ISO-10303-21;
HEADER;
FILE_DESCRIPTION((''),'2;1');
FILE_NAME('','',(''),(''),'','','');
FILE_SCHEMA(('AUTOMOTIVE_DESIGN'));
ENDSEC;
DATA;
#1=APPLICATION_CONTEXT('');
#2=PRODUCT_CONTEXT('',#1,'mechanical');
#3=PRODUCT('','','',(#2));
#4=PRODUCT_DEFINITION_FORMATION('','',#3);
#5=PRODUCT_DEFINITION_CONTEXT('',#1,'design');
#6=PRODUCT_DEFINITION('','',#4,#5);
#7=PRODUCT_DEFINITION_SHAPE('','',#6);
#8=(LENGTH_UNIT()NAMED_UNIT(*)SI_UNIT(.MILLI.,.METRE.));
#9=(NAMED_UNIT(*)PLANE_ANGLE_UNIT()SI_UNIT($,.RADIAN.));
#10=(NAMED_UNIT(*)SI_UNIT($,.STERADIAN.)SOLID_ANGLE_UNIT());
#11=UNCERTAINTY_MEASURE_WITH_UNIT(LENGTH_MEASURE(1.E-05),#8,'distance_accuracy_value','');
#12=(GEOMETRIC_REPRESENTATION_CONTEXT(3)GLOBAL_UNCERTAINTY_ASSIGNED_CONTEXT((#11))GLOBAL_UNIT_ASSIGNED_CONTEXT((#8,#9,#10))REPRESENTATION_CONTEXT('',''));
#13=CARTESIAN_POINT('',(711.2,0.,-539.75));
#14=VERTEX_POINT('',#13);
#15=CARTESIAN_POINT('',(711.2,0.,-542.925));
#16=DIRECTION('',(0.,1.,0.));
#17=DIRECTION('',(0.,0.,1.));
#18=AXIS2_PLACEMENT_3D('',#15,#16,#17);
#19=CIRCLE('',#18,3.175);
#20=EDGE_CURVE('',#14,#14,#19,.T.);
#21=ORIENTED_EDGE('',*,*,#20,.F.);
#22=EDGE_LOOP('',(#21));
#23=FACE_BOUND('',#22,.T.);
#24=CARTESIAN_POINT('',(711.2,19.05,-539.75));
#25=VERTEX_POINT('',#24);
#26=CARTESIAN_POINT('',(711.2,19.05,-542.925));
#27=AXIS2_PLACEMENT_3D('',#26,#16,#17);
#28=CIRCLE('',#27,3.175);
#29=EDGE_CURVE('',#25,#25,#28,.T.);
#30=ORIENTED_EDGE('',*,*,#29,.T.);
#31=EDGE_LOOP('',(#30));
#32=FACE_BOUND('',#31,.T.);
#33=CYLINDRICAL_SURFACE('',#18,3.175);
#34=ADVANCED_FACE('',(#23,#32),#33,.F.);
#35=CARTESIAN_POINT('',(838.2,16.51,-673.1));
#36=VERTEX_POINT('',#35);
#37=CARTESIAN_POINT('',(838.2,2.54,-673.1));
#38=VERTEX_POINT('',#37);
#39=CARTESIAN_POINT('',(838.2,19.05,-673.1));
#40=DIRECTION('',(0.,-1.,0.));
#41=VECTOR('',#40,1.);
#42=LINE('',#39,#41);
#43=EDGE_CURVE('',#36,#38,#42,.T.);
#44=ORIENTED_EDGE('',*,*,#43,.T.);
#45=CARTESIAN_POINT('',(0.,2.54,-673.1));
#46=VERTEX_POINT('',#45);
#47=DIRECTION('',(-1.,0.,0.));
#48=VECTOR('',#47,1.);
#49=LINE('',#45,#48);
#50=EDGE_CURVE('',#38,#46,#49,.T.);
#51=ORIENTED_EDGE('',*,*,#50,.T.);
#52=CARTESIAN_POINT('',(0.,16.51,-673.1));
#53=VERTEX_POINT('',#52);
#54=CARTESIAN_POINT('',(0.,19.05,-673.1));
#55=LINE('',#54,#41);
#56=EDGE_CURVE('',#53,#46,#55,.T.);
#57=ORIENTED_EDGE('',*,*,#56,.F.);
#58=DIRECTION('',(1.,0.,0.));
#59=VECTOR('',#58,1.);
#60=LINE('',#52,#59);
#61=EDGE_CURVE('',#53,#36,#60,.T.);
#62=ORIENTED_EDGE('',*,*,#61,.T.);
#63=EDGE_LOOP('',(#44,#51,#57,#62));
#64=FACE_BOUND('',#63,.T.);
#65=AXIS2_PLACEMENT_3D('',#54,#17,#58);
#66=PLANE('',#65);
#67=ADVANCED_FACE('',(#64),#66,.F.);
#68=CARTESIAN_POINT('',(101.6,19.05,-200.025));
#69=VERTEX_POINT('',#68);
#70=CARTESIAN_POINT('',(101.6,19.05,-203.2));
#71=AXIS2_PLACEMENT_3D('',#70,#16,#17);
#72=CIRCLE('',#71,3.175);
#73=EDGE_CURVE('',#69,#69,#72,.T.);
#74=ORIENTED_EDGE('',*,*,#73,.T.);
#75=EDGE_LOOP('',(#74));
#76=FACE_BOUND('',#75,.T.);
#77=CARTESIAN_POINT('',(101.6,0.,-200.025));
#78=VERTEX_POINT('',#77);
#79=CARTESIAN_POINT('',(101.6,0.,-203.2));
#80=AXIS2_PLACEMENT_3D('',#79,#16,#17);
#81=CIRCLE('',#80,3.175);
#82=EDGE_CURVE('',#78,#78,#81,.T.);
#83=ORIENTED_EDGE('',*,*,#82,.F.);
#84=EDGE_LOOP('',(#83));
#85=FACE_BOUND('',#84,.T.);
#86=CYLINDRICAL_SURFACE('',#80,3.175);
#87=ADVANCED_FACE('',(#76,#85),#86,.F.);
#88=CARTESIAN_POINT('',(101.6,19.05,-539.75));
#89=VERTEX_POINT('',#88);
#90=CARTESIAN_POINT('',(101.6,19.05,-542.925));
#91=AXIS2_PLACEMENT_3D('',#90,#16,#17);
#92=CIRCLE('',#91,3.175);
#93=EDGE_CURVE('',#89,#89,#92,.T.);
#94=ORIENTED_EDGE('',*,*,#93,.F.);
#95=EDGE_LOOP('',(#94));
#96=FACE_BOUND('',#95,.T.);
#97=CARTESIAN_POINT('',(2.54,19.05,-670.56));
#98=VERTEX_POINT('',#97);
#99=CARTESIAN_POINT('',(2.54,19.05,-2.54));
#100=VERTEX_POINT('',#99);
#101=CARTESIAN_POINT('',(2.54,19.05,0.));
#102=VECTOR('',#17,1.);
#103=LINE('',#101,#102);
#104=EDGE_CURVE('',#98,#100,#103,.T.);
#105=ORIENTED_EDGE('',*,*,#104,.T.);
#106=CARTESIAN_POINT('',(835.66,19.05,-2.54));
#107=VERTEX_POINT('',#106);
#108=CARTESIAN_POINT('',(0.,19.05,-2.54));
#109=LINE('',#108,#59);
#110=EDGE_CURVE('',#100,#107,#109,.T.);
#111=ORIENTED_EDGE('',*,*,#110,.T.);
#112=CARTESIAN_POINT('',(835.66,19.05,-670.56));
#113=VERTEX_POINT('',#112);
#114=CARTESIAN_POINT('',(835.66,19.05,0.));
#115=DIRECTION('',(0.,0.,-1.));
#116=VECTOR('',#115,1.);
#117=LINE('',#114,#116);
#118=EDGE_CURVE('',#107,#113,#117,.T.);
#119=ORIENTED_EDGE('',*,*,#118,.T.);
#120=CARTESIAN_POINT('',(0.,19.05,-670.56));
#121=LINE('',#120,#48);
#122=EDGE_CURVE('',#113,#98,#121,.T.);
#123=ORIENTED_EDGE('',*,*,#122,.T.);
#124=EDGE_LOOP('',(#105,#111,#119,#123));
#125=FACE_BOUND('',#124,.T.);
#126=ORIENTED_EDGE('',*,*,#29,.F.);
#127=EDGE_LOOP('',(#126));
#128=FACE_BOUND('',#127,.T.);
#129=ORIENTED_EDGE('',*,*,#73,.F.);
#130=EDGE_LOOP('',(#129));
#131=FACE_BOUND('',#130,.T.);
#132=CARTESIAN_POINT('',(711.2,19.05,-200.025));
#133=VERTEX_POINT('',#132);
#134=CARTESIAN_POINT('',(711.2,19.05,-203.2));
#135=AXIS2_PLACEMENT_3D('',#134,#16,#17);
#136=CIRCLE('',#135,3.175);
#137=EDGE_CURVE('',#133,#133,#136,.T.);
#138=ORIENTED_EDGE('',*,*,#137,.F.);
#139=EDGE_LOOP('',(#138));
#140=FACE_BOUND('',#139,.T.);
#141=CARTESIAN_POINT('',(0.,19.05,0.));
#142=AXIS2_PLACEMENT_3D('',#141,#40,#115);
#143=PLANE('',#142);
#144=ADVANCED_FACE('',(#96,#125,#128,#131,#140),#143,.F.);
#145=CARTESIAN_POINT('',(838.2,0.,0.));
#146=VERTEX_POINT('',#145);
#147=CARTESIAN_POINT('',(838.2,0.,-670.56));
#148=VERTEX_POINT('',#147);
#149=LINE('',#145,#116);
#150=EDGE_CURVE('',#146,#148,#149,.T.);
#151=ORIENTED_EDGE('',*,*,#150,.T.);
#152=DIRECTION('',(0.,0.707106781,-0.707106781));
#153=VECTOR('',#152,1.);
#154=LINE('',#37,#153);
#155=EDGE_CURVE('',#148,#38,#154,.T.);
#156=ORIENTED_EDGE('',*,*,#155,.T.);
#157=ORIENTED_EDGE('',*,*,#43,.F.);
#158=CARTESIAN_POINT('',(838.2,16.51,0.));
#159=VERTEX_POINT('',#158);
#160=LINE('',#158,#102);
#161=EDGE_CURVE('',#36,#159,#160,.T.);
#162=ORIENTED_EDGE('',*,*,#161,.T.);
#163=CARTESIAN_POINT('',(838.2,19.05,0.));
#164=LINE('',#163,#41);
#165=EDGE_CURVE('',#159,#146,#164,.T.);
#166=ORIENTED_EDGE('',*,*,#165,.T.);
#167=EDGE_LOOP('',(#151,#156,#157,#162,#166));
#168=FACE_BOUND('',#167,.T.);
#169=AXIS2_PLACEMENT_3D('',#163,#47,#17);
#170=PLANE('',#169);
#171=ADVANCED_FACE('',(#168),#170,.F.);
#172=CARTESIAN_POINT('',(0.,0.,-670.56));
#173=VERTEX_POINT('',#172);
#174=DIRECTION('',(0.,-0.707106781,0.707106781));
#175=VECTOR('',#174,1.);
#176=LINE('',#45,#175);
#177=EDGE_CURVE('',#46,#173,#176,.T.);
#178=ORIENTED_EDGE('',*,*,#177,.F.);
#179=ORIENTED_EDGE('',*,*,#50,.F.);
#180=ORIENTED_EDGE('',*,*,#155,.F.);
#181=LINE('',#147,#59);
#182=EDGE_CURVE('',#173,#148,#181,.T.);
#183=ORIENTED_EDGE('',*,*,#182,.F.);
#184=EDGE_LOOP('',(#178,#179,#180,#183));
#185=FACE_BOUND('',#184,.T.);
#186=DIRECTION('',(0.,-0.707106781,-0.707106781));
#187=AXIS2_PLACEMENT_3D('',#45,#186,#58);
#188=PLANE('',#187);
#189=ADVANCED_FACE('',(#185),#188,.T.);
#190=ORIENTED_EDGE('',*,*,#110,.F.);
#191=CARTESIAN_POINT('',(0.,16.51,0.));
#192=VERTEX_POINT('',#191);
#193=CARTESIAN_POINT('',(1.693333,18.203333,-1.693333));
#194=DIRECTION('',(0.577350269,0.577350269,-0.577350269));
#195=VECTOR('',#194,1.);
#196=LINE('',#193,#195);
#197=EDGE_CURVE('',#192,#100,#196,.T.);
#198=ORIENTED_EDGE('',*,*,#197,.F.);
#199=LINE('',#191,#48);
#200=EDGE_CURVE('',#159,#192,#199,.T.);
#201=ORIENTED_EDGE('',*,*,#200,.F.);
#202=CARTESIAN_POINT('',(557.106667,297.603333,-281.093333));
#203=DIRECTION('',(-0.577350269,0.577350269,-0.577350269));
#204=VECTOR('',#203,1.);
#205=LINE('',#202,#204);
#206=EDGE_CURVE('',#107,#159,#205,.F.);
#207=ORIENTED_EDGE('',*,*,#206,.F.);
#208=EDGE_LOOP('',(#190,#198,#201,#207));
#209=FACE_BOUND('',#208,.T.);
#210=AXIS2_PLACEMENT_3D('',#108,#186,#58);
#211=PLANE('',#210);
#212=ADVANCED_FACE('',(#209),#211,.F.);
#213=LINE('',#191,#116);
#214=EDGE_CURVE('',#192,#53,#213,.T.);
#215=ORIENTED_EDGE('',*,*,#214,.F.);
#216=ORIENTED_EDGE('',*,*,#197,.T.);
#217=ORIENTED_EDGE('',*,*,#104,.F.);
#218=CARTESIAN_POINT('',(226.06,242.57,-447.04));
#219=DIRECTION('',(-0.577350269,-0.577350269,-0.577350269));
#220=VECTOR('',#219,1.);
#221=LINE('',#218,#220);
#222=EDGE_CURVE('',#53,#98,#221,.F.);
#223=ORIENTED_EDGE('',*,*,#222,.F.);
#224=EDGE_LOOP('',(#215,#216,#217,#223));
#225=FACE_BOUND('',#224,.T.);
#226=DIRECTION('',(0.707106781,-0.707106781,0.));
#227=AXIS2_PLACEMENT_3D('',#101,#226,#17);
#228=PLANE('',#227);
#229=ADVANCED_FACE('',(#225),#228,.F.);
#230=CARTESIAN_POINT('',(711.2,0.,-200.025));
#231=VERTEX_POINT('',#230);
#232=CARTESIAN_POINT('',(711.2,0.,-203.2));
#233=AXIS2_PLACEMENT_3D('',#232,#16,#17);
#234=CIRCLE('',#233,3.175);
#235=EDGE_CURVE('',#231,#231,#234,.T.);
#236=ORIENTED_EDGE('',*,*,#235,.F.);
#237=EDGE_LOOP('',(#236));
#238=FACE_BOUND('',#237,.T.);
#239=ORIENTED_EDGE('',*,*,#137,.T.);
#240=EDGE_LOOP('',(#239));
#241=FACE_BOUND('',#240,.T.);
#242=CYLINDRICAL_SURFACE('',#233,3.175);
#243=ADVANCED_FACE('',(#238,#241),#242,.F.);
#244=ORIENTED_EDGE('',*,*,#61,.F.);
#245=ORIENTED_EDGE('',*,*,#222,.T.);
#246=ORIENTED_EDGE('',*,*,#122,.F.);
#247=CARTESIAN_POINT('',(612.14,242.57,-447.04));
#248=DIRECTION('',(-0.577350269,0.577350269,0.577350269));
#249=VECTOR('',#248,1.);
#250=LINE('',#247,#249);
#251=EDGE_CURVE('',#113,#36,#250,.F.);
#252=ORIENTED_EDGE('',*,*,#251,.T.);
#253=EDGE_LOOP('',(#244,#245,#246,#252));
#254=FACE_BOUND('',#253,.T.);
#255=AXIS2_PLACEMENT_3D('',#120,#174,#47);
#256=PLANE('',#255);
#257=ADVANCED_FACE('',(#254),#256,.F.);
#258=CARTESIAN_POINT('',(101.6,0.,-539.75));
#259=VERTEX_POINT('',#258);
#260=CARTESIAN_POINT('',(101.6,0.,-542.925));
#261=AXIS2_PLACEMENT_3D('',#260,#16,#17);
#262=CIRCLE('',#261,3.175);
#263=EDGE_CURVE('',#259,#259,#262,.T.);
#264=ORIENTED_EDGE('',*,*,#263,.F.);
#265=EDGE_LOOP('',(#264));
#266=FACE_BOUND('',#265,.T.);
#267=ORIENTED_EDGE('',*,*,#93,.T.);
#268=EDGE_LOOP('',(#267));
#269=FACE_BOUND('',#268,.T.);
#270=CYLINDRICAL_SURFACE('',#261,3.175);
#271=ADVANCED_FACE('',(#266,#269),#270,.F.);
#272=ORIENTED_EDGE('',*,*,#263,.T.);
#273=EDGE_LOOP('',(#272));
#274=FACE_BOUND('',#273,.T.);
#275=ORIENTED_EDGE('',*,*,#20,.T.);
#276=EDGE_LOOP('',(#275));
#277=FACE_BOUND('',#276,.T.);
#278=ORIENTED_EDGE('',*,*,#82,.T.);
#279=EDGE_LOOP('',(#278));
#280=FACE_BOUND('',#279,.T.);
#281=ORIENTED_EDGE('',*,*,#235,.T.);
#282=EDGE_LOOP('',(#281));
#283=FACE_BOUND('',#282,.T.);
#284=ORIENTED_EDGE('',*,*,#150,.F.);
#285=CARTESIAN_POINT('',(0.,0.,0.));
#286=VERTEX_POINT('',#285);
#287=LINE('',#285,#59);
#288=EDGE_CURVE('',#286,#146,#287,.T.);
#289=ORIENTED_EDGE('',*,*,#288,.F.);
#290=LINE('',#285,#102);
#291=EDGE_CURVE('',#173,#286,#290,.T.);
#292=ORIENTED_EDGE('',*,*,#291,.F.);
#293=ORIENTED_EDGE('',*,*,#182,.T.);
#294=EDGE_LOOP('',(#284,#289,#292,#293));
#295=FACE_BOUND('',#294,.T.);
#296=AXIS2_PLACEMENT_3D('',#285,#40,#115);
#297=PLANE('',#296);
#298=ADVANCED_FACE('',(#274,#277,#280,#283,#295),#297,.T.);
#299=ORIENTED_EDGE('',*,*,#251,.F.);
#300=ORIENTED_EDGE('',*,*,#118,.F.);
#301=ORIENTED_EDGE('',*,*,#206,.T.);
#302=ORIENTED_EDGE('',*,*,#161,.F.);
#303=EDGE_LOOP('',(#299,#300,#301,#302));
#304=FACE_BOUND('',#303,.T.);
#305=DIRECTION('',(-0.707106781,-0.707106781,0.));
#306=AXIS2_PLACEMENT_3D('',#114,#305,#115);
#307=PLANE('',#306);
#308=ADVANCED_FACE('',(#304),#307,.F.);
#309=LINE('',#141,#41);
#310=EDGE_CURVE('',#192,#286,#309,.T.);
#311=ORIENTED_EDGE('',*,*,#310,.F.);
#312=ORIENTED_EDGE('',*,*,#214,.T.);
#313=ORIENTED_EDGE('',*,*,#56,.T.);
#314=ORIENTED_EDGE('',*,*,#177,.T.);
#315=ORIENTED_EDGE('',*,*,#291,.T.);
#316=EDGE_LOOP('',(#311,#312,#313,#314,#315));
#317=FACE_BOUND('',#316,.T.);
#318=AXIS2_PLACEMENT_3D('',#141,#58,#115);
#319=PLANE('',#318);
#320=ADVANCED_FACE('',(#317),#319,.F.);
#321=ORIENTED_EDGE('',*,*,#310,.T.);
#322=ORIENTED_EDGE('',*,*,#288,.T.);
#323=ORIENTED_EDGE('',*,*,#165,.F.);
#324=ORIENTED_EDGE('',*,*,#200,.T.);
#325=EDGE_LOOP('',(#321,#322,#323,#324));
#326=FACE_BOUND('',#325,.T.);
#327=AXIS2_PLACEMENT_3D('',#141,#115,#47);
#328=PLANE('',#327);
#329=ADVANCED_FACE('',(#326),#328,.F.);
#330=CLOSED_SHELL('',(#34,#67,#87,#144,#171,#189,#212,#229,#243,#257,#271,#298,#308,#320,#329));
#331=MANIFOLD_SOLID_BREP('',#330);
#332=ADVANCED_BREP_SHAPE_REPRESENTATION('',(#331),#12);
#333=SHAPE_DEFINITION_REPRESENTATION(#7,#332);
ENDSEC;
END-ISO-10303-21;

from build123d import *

# Parameters (mm, degrees)
SKETCH1_W           = 838.2
SKETCH1_H           = 673.1
BOSS_EXTRUDE1_DEPTH = 19.05
CHAMFER1_SIZE       = 2.54
CHAMFER2_SIZE       = 2.54
SKETCH2_R           = 3.175
CUT_EXTRUDE1_DEPTH  = 20.05


with BuildPart() as part:
    # Sketch1 → Boss-Extrude1 (new body)
    with BuildSketch(Plane(origin=(0, 0, 0), x_dir=(1, 0, 0), z_dir=(0, 1, 0))):
        with Locations((419.1, 336.55)):
            Rectangle(SKETCH1_W, SKETCH1_H)
    extrude(amount=BOSS_EXTRUDE1_DEPTH)

    # Chamfer1
    chamfer1_edges = [part.edges().sort_by_distance(p)[0] for p in [
        (838.2, 19.05, -336.55),
        (419.1, 19.05, -673.1),
        (0, 19.05, -336.55),
        (419.1, 19.05, 0),
    ]]
    chamfer(chamfer1_edges, length=CHAMFER1_SIZE)

    # Chamfer2
    chamfer2_edges = [part.edges().sort_by_distance(p)[0] for p in [
        (419.1, 0, -673.1),
    ]]
    chamfer(chamfer2_edges, length=CHAMFER2_SIZE)

    # Sketch2 → Cut-Extrude1 (cut, through all)
    with BuildSketch(Plane(origin=(0, 19.05, 0), x_dir=(1, 0, 0), z_dir=(0, 1, 0))):
        with Locations((101.6, 542.925)):
            Circle(SKETCH2_R)
        with Locations((101.6, 203.2)):
            Circle(SKETCH2_R)
        with Locations((711.2, 542.925)):
            Circle(SKETCH2_R)
        with Locations((711.2, 203.2)):
            Circle(SKETCH2_R)
    extrude(amount=-CUT_EXTRUDE1_DEPTH, mode=Mode.SUBTRACT)


solid = part.part
